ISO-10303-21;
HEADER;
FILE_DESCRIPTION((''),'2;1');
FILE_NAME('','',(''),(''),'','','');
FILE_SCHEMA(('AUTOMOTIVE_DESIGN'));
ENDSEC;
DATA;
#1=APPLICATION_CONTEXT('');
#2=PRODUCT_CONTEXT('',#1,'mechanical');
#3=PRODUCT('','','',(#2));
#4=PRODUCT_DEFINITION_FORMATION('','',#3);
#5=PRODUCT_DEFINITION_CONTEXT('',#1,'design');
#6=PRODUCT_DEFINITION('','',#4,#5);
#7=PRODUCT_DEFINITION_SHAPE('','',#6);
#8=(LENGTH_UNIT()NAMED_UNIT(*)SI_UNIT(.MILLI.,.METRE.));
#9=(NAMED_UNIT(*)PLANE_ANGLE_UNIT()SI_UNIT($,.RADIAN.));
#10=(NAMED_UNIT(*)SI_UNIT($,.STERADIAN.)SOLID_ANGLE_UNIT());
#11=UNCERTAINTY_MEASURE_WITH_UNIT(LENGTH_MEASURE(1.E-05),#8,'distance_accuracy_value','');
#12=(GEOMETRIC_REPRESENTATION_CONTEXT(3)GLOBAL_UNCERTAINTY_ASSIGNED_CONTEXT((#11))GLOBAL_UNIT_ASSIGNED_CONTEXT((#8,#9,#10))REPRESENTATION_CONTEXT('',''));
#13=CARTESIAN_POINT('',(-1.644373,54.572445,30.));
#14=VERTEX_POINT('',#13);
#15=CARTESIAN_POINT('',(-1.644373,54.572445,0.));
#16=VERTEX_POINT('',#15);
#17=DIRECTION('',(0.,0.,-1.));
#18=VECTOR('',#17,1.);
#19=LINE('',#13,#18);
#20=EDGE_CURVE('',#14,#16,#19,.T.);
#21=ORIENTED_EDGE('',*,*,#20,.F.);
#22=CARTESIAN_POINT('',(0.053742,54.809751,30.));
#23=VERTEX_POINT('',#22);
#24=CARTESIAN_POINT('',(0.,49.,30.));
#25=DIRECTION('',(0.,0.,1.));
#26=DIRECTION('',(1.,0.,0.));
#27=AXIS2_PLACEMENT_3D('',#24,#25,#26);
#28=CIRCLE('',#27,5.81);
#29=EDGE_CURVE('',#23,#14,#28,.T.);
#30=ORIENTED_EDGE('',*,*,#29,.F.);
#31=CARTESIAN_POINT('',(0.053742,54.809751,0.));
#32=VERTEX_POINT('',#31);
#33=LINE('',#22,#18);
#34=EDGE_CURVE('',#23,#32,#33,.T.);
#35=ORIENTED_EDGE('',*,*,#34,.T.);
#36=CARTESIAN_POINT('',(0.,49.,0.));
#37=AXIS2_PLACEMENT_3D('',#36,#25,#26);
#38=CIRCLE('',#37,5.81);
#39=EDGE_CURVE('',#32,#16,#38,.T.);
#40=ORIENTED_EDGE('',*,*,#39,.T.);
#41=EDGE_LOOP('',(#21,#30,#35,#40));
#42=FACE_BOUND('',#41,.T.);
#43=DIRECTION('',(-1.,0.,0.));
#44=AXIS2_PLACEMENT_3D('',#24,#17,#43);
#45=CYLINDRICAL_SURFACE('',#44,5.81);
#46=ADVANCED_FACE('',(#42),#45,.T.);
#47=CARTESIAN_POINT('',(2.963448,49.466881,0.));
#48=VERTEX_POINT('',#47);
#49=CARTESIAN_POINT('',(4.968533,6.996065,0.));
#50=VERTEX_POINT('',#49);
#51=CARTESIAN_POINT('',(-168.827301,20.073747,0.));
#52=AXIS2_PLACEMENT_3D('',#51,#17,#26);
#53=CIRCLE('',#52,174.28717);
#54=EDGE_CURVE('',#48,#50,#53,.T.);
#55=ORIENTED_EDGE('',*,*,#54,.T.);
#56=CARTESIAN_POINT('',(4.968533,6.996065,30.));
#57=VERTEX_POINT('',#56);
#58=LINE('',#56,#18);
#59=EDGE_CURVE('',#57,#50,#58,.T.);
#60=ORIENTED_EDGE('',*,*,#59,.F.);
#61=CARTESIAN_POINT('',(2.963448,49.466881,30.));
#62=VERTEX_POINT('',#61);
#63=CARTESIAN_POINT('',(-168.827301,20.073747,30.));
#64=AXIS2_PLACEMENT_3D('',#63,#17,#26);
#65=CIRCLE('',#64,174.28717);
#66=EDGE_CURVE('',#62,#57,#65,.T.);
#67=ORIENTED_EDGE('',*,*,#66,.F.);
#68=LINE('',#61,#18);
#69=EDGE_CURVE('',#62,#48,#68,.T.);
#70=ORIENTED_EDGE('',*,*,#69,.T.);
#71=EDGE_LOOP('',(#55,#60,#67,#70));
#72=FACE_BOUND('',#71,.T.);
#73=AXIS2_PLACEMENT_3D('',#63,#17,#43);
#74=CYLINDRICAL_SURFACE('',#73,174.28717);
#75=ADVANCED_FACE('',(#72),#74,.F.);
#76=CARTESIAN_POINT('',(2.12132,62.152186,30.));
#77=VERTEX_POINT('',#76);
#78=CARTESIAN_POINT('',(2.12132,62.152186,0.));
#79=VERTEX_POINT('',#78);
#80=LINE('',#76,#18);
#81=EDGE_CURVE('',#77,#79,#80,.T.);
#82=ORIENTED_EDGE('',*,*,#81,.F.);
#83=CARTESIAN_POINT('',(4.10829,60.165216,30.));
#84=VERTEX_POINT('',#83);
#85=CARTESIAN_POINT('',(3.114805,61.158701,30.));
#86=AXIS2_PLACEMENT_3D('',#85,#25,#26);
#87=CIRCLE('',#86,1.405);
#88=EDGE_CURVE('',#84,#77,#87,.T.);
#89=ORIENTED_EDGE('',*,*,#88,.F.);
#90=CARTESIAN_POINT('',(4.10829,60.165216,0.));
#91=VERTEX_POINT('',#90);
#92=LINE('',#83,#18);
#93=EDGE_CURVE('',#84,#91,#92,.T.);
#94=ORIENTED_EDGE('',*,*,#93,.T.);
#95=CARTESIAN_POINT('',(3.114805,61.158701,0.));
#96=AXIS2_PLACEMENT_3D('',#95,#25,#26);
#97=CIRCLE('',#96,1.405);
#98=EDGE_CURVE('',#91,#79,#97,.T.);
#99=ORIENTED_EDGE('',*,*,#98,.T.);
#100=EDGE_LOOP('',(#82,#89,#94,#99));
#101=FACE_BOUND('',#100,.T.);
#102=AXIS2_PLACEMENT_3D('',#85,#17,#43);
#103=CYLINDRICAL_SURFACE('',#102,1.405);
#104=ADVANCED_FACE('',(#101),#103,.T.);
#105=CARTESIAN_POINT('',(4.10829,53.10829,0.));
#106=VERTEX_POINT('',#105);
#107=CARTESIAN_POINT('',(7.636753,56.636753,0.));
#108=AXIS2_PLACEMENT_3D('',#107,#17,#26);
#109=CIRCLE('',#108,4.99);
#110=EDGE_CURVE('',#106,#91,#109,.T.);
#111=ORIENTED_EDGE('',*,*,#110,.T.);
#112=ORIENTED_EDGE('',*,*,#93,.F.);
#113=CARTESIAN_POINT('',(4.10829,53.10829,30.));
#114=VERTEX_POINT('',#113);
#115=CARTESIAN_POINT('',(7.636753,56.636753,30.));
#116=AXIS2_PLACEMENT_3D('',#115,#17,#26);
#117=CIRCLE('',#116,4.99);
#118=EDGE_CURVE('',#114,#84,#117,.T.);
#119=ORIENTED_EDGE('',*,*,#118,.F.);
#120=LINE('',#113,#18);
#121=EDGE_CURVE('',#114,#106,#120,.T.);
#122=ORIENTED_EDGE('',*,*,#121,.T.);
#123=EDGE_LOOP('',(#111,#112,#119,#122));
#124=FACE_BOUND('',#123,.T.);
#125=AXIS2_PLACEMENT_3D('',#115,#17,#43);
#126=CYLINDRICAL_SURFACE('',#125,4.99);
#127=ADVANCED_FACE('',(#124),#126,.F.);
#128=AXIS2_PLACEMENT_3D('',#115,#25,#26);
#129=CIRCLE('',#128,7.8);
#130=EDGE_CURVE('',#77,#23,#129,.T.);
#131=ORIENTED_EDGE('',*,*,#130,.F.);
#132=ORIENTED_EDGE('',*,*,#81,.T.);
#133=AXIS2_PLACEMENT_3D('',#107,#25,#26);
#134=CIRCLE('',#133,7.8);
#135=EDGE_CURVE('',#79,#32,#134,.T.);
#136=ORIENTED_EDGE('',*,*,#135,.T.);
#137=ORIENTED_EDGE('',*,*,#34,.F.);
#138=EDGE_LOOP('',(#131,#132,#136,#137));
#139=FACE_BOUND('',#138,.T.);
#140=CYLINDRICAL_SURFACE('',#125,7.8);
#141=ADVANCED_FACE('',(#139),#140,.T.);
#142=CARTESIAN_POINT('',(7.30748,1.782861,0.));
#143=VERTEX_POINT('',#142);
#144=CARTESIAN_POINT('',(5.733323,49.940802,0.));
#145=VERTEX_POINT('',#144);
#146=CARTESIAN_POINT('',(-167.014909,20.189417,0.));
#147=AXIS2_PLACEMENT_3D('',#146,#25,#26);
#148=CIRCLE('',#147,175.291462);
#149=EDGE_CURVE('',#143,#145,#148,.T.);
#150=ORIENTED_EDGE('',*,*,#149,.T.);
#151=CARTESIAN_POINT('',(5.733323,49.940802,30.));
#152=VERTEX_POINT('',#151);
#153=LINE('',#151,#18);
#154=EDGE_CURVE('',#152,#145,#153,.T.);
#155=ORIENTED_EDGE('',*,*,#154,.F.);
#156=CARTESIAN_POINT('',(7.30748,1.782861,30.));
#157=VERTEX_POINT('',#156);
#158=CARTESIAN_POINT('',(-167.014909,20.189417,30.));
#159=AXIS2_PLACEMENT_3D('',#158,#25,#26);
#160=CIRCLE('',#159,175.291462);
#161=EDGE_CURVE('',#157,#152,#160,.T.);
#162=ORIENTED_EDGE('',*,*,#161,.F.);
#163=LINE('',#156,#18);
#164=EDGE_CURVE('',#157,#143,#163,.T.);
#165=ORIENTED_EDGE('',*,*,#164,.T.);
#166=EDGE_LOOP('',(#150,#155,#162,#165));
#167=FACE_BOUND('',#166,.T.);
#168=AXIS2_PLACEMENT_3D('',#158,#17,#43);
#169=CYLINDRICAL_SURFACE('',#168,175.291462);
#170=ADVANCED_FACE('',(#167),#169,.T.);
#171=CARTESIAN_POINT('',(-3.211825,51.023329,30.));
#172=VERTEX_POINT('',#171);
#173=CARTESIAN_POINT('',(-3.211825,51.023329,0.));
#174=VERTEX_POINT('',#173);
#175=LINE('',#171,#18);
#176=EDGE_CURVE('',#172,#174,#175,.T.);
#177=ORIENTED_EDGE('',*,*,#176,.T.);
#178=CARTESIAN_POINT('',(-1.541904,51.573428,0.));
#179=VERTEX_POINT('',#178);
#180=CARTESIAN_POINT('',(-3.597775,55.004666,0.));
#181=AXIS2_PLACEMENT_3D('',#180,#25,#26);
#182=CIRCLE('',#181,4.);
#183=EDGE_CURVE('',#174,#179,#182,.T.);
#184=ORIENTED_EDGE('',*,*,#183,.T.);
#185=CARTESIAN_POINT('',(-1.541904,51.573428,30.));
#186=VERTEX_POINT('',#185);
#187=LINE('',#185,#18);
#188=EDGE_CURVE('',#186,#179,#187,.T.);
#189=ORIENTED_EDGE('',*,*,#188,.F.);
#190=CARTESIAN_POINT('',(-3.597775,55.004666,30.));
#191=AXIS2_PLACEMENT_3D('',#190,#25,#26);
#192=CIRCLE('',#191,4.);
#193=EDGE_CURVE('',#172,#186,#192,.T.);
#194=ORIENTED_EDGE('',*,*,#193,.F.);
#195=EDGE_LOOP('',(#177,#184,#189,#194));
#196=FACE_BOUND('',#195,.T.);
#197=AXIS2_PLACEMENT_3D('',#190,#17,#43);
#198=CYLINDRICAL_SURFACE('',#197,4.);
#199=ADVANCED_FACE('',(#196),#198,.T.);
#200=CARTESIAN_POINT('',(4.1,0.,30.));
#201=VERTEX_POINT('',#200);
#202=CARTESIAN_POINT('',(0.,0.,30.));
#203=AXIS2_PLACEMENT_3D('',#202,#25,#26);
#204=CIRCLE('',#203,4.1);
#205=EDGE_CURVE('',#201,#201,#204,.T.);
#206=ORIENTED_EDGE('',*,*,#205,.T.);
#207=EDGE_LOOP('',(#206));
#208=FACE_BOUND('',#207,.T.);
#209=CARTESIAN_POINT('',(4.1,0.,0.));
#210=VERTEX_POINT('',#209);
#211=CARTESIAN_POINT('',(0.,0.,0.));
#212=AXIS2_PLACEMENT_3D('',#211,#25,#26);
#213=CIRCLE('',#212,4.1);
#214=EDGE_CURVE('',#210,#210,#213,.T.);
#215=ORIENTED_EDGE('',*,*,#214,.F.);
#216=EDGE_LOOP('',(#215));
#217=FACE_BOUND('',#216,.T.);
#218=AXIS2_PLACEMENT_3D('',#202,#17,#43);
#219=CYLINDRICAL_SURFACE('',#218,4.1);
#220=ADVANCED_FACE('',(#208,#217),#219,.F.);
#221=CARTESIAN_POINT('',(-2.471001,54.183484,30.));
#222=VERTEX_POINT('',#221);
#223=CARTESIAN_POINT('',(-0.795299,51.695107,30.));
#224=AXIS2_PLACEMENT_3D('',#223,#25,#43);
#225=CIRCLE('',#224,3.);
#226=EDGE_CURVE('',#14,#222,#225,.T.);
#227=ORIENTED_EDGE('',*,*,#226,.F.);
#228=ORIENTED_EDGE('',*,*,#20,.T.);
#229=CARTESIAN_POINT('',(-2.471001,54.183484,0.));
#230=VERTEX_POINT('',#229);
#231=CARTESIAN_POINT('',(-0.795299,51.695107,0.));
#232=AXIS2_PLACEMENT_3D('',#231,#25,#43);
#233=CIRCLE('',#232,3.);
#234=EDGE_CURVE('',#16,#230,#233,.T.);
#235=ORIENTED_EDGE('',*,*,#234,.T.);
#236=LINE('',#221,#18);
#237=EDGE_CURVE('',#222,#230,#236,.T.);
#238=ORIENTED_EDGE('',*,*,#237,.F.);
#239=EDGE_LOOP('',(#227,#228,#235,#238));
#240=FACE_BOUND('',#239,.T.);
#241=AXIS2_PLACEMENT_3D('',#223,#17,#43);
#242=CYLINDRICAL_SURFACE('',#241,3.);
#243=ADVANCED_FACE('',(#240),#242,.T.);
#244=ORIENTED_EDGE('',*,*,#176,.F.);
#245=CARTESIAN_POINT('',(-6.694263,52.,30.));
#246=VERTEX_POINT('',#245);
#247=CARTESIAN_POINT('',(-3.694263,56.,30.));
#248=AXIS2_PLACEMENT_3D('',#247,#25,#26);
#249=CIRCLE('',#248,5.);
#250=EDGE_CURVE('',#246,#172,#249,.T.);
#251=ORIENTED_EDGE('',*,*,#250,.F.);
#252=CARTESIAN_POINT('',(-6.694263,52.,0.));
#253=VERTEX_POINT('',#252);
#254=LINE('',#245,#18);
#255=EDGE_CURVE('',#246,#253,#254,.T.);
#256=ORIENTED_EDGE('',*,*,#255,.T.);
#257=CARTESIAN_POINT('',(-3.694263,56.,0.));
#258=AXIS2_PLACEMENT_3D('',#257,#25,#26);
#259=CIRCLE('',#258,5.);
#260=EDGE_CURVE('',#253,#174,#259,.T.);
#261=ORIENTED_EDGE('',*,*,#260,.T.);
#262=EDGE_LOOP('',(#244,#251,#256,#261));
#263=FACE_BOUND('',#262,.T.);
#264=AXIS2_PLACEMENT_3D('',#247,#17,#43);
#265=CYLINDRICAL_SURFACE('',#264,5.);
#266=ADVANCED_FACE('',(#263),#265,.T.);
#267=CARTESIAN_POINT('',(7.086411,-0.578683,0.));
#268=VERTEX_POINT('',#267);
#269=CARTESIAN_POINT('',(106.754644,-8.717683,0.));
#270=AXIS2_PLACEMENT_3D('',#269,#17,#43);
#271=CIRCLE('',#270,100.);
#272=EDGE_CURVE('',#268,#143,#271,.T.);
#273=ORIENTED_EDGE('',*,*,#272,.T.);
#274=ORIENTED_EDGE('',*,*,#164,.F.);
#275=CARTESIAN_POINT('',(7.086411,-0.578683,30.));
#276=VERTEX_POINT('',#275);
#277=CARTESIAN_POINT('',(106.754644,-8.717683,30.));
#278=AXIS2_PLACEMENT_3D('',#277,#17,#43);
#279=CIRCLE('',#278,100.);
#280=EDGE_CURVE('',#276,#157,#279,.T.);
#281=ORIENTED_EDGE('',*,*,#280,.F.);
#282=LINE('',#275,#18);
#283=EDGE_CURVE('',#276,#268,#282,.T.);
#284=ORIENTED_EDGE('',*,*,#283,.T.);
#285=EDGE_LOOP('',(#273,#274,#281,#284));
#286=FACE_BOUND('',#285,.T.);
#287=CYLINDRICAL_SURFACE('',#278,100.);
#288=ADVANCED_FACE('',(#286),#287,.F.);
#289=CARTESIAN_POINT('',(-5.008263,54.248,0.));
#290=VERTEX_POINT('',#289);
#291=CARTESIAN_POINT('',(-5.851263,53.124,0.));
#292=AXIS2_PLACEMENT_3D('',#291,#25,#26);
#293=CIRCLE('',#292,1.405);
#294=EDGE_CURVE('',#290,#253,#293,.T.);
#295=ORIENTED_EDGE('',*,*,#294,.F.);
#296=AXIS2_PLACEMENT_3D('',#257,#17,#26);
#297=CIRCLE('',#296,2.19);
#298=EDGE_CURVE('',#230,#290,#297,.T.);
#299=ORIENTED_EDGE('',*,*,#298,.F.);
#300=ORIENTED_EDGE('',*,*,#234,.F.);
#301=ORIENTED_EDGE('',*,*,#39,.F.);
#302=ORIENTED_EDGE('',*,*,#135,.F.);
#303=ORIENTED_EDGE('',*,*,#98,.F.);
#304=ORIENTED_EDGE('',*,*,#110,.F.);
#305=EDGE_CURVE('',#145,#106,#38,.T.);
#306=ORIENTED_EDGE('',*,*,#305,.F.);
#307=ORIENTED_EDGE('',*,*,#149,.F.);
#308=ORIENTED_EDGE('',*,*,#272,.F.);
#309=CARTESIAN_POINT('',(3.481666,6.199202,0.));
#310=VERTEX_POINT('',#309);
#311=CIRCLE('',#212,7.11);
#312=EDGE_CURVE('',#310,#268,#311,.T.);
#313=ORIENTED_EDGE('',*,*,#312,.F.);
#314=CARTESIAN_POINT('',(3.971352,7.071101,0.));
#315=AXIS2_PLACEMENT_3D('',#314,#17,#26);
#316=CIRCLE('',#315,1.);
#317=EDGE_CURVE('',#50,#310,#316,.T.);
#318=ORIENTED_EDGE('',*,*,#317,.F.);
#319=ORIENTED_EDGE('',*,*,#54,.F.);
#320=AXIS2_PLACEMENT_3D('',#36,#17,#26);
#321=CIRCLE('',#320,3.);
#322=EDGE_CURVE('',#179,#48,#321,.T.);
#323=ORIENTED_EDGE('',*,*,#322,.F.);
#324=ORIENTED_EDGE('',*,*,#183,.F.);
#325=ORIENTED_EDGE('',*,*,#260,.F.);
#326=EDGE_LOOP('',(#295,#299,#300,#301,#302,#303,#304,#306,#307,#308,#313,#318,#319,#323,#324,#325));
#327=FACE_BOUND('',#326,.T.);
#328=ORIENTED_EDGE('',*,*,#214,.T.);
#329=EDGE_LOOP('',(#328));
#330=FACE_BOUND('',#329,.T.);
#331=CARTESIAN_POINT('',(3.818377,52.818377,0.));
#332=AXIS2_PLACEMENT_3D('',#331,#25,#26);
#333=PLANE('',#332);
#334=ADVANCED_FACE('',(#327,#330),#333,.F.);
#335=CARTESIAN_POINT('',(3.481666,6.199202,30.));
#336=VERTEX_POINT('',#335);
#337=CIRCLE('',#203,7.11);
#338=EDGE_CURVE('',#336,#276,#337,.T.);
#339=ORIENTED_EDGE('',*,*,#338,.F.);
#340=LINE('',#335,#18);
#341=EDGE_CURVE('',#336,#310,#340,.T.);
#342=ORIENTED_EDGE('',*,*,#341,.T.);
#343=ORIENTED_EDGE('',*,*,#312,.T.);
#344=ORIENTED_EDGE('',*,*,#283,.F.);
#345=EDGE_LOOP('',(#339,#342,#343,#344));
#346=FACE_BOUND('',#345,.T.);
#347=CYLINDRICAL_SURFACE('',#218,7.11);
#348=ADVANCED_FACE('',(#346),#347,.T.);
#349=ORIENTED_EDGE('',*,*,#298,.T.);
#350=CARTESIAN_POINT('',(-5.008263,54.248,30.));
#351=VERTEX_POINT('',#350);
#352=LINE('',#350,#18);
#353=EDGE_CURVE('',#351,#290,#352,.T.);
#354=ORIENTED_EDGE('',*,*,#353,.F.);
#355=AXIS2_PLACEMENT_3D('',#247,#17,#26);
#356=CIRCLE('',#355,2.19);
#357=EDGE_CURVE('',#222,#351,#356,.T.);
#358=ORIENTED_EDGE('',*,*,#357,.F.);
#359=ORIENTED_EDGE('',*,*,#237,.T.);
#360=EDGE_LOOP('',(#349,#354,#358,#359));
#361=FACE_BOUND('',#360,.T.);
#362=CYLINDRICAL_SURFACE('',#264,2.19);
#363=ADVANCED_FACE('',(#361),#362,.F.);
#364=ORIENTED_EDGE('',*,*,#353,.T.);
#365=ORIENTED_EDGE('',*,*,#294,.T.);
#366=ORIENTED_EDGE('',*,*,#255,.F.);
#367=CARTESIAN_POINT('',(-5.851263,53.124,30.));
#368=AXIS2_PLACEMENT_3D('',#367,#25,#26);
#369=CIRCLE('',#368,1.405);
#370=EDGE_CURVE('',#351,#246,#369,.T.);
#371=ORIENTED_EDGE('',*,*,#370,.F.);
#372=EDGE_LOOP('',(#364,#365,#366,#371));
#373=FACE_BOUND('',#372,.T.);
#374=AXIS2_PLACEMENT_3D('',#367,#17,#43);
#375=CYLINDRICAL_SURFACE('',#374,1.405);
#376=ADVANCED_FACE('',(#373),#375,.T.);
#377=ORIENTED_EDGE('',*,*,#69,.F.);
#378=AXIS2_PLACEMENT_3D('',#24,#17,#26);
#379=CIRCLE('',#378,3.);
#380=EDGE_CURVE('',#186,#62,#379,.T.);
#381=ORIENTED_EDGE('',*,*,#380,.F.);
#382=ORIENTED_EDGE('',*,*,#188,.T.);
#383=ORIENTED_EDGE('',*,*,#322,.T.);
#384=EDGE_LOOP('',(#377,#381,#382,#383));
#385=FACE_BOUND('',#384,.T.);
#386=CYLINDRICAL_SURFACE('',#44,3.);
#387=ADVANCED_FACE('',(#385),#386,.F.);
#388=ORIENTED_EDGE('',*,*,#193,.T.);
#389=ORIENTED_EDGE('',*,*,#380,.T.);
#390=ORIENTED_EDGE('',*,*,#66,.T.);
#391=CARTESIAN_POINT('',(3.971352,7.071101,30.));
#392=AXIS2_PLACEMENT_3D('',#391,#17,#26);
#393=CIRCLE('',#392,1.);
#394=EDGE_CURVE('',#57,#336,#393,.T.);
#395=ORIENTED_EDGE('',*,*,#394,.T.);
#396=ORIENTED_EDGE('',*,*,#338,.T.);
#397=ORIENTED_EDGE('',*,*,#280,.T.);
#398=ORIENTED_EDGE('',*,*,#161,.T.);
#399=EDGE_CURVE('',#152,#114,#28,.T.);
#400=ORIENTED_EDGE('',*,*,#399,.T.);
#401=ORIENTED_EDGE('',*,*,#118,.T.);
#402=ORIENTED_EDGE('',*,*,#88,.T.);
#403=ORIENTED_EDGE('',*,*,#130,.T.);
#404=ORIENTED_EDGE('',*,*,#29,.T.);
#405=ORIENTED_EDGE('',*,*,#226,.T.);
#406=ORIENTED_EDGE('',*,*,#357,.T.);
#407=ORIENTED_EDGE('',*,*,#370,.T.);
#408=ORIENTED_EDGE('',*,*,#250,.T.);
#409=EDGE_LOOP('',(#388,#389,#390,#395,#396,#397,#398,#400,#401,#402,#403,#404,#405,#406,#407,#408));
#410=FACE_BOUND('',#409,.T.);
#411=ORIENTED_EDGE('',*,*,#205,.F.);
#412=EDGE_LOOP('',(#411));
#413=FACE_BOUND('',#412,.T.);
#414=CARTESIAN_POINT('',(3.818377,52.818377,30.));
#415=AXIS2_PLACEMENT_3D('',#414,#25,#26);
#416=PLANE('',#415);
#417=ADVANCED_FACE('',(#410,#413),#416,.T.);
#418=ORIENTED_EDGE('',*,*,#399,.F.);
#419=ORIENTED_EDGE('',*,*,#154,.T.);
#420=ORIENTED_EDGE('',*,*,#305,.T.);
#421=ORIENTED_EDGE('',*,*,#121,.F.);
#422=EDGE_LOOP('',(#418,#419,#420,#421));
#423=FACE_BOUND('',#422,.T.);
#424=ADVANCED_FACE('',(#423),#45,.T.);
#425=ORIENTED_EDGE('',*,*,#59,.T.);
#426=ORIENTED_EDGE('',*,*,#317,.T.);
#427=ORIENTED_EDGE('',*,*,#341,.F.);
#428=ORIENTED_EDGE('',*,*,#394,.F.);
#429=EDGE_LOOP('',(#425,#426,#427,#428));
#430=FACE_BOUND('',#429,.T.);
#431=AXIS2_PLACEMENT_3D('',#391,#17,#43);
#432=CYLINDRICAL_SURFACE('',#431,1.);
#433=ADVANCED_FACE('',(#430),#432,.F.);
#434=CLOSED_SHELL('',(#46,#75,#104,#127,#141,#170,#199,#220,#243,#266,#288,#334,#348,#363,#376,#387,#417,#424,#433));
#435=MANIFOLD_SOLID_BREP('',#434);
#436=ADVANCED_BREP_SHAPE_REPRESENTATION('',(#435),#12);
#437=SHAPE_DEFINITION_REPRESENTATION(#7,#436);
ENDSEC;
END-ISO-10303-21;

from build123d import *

# Parameters (mm, degrees)
SKETCH1_R           = 4.1
BOSS_EXTRUDE1_DEPTH = 30


with BuildPart() as part:
    # Sketch1 → Boss-Extrude1 (new body)
    with BuildSketch(Plane.XY):
        with BuildLine():
            ThreePointArc((2.121320344, 62.15218613), (0.128747602, 58.750955542), (0.053741668, 54.809751443))
            ThreePointArc((0.053741668, 54.809751443), (-0.804117699, 54.754085047), (-1.644372539, 54.572444612))
            ThreePointArc((-1.644372539, 54.572444612), (-2.072579341, 54.409614804), (-2.471000729, 54.183484289))
            ThreePointArc((-2.471000729, 54.183484289), (-3.749930813, 53.810707626), (-5.008263036, 54.248))
            ThreePointArc((-5.008263036, 54.248), (-6.975263036, 53.967), (-6.694263036, 52))
            ThreePointArc((-6.694263036, 52), (-5.044448782, 51.185750479), (-3.211825355, 51.023329036))
            ThreePointArc((-3.211825355, 51.023329036), (-2.346266102, 51.205491656), (-1.541903785, 51.573428203))
            ThreePointArc((-1.541903785, 51.573428203), (1.27066207, 51.717612537), (2.963447684, 49.46688095))
            ThreePointArc((2.963447684, 49.46688095), (5.265961581, 28.292845916), (4.96853298, 6.996065265))
            ThreePointArc((4.96853298, 6.996065265), (4.443724564, 6.189701484), (3.481666266, 6.199201562))
            ThreePointArc((3.481666266, 6.199201562), (-6.277419511, -3.338578183), (7.086411369, -0.578682913))
            ThreePointArc((7.086411369, -0.578682913), (7.189943669, 0.602744357), (7.307479638, 1.782860719))
            ThreePointArc((7.307479638, 1.782860719), (8.182981219, 25.916176913), (5.733322853, 49.940802351))
            ThreePointArc((5.733322853, 49.940802351), (5.169389034, 51.652077868), (4.108290399, 53.108290399))
            ThreePointArc((4.108290399, 53.108290399), (2.646753237, 56.636753237), (4.108290399, 60.165216075))
            ThreePointArc((4.108290399, 60.165216075), (4.108290399, 62.15218613), (2.121320344, 62.15218613))
        make_face()
        Circle(SKETCH1_R, mode=Mode.SUBTRACT)
    extrude(amount=BOSS_EXTRUDE1_DEPTH)


solid = part.part
